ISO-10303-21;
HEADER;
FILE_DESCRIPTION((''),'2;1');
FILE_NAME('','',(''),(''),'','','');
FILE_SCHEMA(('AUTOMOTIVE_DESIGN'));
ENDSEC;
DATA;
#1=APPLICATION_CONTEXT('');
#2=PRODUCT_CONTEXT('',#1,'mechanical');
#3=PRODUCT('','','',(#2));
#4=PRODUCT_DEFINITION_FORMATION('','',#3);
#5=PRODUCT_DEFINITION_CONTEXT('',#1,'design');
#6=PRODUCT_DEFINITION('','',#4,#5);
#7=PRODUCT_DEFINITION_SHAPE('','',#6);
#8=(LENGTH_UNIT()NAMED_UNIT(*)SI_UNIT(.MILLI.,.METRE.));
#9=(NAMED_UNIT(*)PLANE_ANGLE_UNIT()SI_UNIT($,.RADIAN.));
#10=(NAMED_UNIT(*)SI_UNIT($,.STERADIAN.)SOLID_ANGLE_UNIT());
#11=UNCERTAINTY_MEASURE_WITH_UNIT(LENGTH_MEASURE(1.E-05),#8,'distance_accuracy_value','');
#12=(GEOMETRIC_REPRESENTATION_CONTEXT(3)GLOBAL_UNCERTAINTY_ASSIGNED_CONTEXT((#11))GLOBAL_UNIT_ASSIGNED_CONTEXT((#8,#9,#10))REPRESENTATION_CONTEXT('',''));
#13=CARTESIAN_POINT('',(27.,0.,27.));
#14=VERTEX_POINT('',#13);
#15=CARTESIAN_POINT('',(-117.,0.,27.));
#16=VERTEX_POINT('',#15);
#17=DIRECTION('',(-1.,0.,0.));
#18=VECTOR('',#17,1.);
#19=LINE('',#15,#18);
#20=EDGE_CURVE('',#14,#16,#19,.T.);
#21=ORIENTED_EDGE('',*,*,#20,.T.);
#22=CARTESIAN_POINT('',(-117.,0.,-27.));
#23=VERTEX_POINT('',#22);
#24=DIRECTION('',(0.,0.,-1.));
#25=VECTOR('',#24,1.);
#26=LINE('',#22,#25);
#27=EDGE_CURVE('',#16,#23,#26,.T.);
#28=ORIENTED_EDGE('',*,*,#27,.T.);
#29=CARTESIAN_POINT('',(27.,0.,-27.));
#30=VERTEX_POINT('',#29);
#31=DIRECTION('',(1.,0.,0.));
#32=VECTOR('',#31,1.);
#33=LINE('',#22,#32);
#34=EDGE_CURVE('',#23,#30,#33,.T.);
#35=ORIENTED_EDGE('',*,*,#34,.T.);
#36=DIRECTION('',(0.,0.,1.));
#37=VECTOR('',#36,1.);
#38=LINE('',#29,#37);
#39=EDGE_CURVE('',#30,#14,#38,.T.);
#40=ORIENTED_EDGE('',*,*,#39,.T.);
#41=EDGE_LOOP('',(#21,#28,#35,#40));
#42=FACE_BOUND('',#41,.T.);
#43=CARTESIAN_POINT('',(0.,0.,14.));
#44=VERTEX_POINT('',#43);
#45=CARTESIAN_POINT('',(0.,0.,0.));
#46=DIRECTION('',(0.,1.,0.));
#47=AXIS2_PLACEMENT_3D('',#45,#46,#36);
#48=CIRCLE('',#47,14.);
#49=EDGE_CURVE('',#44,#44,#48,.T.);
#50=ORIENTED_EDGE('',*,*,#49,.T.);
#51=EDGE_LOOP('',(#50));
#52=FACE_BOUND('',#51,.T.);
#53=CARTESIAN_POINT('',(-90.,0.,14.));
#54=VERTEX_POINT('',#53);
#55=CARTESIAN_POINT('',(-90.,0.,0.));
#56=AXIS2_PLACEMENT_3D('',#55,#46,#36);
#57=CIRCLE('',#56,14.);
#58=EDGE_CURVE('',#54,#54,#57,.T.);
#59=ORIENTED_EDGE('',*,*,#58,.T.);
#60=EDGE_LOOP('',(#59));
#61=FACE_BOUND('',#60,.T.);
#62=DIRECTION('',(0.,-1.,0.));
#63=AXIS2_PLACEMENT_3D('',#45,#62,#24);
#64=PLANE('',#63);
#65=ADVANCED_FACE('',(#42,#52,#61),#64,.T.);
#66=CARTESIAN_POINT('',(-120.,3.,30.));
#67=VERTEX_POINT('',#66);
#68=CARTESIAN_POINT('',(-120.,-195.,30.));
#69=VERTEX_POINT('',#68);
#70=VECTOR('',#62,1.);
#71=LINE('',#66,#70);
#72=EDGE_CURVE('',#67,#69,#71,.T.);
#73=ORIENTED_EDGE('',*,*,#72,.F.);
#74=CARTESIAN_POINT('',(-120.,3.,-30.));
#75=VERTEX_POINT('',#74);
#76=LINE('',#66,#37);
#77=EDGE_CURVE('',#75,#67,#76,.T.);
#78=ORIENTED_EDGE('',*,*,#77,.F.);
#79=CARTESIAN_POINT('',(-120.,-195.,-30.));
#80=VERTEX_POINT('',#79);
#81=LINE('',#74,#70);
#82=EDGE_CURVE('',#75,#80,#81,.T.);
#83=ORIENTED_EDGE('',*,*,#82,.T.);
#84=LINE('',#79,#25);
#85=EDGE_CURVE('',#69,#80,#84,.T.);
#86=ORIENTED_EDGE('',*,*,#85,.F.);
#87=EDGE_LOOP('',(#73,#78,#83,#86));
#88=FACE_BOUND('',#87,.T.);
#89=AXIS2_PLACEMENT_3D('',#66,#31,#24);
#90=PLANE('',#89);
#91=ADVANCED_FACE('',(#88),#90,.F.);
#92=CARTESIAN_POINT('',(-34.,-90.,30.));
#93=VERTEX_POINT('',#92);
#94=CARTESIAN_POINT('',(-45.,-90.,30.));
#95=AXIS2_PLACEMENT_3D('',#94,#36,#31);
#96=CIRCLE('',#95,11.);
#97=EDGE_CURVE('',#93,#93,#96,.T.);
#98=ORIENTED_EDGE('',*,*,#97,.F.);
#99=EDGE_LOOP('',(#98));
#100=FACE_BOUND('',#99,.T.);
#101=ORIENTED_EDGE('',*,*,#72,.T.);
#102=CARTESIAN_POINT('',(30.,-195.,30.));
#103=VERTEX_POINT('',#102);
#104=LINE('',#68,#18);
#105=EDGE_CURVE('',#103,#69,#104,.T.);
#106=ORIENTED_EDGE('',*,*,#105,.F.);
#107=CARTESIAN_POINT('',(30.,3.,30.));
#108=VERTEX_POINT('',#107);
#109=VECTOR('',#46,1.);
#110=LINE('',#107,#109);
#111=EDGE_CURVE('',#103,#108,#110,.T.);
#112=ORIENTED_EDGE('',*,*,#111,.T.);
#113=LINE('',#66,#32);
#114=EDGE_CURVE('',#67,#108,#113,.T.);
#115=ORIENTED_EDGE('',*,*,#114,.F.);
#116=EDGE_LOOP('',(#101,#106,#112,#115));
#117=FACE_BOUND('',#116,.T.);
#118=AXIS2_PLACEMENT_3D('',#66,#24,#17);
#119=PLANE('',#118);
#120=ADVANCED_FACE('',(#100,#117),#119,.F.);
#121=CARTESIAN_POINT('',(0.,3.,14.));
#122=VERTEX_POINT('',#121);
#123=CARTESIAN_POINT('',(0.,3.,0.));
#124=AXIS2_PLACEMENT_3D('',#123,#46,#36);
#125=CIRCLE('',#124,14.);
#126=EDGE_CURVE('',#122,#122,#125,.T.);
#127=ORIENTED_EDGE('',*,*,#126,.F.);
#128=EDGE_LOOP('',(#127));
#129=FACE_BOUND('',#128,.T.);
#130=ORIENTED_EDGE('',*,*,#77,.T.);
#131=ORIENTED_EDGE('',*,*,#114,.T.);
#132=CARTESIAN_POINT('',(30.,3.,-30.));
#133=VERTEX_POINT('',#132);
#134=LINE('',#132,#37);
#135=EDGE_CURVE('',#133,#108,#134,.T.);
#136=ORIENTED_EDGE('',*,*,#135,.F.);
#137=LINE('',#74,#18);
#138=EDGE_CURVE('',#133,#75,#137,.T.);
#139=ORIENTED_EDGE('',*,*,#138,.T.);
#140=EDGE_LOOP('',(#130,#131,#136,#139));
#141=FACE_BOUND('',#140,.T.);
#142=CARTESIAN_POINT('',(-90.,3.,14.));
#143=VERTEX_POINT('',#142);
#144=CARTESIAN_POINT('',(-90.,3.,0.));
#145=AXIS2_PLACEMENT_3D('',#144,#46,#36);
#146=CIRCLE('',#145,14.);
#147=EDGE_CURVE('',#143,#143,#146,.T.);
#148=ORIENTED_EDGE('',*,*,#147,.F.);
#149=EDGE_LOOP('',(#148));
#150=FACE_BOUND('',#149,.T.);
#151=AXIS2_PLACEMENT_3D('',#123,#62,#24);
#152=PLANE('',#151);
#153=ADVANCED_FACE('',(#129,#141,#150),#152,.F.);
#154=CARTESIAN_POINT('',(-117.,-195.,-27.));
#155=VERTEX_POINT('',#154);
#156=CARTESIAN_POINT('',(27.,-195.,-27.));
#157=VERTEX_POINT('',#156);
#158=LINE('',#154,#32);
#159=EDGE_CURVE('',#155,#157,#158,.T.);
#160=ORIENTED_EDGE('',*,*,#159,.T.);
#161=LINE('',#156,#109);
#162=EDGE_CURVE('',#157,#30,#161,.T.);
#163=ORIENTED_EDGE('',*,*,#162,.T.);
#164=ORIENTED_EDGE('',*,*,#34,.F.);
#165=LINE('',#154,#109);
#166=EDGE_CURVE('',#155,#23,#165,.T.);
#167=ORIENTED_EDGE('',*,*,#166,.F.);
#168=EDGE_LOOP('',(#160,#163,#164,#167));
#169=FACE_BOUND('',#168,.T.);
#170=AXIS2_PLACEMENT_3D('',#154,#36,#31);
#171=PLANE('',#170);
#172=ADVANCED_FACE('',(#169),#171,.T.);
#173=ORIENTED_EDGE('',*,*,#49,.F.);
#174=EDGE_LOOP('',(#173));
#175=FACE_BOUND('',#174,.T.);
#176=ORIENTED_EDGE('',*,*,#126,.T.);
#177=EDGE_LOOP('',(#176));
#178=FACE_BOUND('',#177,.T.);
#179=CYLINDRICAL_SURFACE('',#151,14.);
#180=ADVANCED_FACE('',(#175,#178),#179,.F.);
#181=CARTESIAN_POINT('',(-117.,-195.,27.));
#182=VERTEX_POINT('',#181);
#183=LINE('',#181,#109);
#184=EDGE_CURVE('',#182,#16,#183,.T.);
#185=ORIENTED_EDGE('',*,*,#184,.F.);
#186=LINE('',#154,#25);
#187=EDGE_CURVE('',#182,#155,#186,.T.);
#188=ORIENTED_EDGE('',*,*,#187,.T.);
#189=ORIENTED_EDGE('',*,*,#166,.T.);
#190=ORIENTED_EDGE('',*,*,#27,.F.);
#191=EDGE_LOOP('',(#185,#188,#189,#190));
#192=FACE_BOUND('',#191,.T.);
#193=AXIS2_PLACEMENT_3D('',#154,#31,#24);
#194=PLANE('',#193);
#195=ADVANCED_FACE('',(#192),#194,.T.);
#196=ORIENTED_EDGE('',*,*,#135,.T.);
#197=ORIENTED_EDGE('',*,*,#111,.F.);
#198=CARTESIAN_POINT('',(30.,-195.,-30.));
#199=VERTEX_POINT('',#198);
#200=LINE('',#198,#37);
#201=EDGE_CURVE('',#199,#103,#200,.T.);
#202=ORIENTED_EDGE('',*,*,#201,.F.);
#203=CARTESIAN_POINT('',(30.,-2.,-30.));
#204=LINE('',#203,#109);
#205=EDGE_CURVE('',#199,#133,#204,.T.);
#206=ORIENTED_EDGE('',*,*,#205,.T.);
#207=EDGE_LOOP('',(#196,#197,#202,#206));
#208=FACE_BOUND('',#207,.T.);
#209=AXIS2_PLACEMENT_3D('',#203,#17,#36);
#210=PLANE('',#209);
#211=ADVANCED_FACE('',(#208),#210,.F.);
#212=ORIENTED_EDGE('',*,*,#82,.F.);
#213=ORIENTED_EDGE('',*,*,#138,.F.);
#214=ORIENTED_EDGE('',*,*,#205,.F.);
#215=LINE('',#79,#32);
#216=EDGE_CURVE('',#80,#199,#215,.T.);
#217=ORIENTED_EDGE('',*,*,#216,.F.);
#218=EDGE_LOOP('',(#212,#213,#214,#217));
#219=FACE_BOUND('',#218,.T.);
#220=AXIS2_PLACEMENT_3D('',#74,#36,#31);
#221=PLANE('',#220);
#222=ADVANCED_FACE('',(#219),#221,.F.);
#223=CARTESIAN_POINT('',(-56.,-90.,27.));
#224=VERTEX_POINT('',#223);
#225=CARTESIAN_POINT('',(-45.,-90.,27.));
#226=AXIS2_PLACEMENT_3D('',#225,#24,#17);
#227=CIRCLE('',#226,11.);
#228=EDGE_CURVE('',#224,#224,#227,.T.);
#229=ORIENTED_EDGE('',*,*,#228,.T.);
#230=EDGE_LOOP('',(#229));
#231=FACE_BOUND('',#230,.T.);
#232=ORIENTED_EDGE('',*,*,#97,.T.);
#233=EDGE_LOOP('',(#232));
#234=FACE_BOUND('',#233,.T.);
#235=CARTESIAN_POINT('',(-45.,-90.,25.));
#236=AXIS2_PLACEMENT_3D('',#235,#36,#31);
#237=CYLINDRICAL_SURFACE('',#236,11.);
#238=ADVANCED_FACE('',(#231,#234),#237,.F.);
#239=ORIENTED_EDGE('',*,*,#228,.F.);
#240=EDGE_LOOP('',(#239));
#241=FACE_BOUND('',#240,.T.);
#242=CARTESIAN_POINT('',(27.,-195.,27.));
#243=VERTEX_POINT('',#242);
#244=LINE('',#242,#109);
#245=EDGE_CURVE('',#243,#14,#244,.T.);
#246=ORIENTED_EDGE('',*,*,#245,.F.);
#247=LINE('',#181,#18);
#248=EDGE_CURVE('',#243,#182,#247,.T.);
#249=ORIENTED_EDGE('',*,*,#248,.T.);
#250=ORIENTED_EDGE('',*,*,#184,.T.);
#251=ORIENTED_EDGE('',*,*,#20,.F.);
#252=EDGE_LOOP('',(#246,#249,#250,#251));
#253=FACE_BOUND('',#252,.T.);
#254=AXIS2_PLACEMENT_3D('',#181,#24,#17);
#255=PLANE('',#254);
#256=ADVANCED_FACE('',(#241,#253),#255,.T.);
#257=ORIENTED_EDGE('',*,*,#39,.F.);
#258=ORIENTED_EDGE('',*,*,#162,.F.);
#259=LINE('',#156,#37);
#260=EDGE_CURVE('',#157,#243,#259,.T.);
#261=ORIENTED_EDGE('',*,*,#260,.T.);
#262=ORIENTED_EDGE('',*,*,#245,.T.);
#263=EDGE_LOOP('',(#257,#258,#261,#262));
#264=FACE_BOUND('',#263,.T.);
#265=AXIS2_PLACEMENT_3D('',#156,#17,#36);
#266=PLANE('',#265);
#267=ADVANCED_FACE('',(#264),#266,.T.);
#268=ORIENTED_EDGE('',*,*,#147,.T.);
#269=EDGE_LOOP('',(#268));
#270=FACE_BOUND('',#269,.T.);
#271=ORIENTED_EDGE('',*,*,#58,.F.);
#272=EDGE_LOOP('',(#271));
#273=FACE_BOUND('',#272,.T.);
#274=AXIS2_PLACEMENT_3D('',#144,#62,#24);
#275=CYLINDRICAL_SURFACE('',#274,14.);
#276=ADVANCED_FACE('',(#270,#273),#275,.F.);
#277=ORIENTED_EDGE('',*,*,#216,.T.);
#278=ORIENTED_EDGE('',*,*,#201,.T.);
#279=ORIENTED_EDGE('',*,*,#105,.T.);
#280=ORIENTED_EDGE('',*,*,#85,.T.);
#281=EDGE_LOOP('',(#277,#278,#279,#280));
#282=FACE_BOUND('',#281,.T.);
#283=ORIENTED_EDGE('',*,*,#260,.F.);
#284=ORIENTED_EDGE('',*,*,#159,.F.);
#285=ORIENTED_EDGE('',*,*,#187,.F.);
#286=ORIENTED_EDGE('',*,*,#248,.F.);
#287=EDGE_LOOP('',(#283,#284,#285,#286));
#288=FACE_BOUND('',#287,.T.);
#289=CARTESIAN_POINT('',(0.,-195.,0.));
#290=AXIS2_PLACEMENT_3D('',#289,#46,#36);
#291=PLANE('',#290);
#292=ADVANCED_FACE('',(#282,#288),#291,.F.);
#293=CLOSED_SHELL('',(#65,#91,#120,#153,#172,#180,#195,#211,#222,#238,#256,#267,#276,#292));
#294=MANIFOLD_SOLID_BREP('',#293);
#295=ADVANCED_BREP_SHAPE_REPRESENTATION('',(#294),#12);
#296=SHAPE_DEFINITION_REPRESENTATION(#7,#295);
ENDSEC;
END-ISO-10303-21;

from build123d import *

# Parameters (mm, degrees)
CROQUIS1_W              = 240
CROQUIS1_H              = 60
CROQUIS1_R              = 14
SALIENTE_EXTRUIR1_DEPTH = 3
CROQUIS4_W              = 90
CROQUIS4_H              = 60
CORTAR_EXTRUIR2_DEPTH   = 5
CROQUIS2_W              = 150
CROQUIS2_H              = 60
CROQUIS2_W_2            = 144
CROQUIS2_H_2            = 54
SALIENTE_EXTRUIR2_DEPTH = 195
CROQUIS5_R              = 11
CORTAR_EXTRUIR3_DEPTH   = 5


with BuildPart() as part:
    # Croquis1 → Saliente-Extruir1 (new body)
    with BuildSketch(Plane(origin=(0, 0, 0), x_dir=(1, 0, 0), z_dir=(0, 1, 0))):
        Rectangle(CROQUIS1_W, CROQUIS1_H)
        Circle(CROQUIS1_R, mode=Mode.SUBTRACT)
        with Locations((-90, 0)):
            Circle(CROQUIS1_R, mode=Mode.SUBTRACT)
    extrude(amount=SALIENTE_EXTRUIR1_DEPTH)

    # Croquis4 → Cortar-Extruir2 (cut)
    with BuildSketch(Plane(origin=(0, 3, 0), x_dir=(1, 0, 0), z_dir=(0, 1, 0))):
        with Locations((75, 0)):
            Rectangle(CROQUIS4_W, CROQUIS4_H)
    extrude(amount=-CORTAR_EXTRUIR2_DEPTH, mode=Mode.SUBTRACT)

    # Croquis2 → Saliente-Extruir2 (add)
    with BuildSketch(Plane.XZ):
        with Locations((-45, 0)):
            Rectangle(CROQUIS2_W, CROQUIS2_H)
        with Locations((-45, 0)):
            Rectangle(CROQUIS2_W_2, CROQUIS2_H_2, mode=Mode.SUBTRACT)
    extrude(amount=SALIENTE_EXTRUIR2_DEPTH)

    # Croquis5 → Cortar-Extruir3 (cut)
    with BuildSketch(Plane.XY.offset(30)):
        with Locations((-45, -90)):
            Circle(CROQUIS5_R)
    extrude(amount=-CORTAR_EXTRUIR3_DEPTH, mode=Mode.SUBTRACT)


solid = part.part
